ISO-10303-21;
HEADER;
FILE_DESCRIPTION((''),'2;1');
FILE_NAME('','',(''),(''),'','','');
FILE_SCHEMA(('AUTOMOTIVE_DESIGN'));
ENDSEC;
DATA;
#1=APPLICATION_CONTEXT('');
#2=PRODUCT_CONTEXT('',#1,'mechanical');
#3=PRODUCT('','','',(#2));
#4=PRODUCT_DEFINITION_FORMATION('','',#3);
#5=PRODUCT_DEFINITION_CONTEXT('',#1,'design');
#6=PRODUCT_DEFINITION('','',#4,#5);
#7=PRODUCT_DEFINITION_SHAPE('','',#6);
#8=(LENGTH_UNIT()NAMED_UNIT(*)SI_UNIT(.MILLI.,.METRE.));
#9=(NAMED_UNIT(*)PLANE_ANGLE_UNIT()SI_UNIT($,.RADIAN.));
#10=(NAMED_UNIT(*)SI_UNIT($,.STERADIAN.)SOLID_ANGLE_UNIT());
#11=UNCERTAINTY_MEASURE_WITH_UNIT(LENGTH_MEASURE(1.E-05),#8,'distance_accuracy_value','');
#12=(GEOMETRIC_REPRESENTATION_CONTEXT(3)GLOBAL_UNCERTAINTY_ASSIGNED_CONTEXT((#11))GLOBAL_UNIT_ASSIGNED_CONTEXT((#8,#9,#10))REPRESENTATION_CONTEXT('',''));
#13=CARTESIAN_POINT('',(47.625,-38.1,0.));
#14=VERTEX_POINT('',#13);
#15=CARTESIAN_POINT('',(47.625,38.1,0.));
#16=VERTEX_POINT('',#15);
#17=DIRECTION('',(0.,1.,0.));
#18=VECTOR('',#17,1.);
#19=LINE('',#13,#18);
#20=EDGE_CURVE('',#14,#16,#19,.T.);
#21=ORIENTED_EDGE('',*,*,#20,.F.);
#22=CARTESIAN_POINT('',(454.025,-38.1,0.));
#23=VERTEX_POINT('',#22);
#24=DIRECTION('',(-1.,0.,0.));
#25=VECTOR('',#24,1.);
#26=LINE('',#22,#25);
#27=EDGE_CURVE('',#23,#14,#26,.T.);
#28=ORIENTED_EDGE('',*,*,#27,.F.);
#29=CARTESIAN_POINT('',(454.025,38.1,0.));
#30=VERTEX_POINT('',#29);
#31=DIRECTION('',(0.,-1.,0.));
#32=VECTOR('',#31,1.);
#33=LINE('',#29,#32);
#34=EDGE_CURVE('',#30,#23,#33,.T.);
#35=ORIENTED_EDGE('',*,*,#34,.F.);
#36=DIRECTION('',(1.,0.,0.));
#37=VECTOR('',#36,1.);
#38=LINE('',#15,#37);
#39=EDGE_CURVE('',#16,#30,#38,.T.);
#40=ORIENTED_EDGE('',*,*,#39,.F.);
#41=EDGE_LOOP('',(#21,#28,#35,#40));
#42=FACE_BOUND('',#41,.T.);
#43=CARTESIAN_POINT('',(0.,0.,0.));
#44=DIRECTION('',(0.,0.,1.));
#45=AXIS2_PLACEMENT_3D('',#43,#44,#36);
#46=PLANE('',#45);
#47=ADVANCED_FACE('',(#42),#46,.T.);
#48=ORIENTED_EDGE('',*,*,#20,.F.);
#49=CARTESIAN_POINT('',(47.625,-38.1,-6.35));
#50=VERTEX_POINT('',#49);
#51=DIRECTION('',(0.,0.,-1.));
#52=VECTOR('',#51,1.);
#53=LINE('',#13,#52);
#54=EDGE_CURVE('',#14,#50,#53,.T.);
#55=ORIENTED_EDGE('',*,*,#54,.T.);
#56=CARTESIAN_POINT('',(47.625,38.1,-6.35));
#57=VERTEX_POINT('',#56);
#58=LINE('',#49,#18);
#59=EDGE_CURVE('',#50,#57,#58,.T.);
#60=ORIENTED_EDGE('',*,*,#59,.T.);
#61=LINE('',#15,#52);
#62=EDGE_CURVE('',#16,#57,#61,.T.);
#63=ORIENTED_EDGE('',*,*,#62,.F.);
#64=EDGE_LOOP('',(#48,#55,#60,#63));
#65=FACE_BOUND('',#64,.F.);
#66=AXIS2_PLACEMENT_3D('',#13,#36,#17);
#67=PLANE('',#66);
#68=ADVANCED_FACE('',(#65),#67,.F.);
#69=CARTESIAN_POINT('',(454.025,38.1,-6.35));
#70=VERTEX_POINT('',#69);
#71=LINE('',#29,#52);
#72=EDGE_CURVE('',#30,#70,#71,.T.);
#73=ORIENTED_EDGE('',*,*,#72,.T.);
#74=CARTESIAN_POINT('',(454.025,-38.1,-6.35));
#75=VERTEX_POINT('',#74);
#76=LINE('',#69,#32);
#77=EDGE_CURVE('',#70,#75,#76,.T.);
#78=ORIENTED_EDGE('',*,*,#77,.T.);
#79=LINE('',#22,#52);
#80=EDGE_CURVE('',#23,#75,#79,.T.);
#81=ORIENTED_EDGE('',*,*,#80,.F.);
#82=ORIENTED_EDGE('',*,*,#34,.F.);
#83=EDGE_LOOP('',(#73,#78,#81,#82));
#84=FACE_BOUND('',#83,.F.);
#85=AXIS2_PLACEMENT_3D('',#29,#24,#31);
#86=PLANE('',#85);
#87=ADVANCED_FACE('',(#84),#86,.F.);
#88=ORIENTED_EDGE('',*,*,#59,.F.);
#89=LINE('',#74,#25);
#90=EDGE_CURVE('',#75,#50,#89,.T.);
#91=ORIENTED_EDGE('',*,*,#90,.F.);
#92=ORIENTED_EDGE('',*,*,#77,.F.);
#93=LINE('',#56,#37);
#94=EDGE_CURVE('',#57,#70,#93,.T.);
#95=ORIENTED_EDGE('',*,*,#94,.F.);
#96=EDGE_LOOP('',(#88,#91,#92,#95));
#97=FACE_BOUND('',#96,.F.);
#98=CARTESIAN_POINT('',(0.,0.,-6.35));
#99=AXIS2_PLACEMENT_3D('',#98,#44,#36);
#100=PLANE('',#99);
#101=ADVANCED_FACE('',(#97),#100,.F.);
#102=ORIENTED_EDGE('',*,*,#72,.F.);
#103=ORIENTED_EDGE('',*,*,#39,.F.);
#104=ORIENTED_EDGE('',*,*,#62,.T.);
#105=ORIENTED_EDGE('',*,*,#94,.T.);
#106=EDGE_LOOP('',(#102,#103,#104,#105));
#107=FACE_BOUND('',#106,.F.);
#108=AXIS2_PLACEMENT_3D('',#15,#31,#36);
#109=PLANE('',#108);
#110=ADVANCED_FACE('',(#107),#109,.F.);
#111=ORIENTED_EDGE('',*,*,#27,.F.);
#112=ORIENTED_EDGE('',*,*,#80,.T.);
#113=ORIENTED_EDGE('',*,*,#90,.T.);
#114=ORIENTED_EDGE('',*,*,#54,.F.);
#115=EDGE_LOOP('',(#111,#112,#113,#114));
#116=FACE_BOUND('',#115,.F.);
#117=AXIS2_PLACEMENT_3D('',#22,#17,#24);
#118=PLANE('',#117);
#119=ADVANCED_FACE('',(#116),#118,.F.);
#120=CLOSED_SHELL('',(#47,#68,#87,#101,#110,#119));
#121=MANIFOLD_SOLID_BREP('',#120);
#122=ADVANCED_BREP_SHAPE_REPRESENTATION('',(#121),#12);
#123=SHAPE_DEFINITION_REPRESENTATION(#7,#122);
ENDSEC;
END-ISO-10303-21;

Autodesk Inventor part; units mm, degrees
ref_plane "YZ Plane" through (0, 0, 0) normal (1, 0, 0) x (0, 1, 0)
ref_plane "XZ Plane" through (0, 0, 0) normal (0, 1, 0) x (-1, 0, 0)
ref_plane "XY Plane" through (0, 0, 0) normal (0, 0, 1) x (1, 0, 0)
sketch "Sketch1" plane through (0, 0, 0) normal (0, 0, 1) x (1, 0, 0)
  line L0 (47.625, 38.1) -> (454.025, 38.1)
  line L1 (454.025, 38.1) -> (454.025, -38.1)
  line L2 (454.025, -38.1) -> (47.625, -38.1)
  line L3 (47.625, -38.1) -> (47.625, 38.1)
  line L4 (22.225, -22.225) -> (22.225, 22.225) projected
  point P0 (0, 0)
  point P1 (47.625, 0)
  dimension "d0" = 406.4
  dimension "d1" = 76.2
  dimension "d2" = 25.4
extrude "Extrusion1" add sketch "Sketch1" against normal blind 6.35
properties part number "FE-00036Base"
